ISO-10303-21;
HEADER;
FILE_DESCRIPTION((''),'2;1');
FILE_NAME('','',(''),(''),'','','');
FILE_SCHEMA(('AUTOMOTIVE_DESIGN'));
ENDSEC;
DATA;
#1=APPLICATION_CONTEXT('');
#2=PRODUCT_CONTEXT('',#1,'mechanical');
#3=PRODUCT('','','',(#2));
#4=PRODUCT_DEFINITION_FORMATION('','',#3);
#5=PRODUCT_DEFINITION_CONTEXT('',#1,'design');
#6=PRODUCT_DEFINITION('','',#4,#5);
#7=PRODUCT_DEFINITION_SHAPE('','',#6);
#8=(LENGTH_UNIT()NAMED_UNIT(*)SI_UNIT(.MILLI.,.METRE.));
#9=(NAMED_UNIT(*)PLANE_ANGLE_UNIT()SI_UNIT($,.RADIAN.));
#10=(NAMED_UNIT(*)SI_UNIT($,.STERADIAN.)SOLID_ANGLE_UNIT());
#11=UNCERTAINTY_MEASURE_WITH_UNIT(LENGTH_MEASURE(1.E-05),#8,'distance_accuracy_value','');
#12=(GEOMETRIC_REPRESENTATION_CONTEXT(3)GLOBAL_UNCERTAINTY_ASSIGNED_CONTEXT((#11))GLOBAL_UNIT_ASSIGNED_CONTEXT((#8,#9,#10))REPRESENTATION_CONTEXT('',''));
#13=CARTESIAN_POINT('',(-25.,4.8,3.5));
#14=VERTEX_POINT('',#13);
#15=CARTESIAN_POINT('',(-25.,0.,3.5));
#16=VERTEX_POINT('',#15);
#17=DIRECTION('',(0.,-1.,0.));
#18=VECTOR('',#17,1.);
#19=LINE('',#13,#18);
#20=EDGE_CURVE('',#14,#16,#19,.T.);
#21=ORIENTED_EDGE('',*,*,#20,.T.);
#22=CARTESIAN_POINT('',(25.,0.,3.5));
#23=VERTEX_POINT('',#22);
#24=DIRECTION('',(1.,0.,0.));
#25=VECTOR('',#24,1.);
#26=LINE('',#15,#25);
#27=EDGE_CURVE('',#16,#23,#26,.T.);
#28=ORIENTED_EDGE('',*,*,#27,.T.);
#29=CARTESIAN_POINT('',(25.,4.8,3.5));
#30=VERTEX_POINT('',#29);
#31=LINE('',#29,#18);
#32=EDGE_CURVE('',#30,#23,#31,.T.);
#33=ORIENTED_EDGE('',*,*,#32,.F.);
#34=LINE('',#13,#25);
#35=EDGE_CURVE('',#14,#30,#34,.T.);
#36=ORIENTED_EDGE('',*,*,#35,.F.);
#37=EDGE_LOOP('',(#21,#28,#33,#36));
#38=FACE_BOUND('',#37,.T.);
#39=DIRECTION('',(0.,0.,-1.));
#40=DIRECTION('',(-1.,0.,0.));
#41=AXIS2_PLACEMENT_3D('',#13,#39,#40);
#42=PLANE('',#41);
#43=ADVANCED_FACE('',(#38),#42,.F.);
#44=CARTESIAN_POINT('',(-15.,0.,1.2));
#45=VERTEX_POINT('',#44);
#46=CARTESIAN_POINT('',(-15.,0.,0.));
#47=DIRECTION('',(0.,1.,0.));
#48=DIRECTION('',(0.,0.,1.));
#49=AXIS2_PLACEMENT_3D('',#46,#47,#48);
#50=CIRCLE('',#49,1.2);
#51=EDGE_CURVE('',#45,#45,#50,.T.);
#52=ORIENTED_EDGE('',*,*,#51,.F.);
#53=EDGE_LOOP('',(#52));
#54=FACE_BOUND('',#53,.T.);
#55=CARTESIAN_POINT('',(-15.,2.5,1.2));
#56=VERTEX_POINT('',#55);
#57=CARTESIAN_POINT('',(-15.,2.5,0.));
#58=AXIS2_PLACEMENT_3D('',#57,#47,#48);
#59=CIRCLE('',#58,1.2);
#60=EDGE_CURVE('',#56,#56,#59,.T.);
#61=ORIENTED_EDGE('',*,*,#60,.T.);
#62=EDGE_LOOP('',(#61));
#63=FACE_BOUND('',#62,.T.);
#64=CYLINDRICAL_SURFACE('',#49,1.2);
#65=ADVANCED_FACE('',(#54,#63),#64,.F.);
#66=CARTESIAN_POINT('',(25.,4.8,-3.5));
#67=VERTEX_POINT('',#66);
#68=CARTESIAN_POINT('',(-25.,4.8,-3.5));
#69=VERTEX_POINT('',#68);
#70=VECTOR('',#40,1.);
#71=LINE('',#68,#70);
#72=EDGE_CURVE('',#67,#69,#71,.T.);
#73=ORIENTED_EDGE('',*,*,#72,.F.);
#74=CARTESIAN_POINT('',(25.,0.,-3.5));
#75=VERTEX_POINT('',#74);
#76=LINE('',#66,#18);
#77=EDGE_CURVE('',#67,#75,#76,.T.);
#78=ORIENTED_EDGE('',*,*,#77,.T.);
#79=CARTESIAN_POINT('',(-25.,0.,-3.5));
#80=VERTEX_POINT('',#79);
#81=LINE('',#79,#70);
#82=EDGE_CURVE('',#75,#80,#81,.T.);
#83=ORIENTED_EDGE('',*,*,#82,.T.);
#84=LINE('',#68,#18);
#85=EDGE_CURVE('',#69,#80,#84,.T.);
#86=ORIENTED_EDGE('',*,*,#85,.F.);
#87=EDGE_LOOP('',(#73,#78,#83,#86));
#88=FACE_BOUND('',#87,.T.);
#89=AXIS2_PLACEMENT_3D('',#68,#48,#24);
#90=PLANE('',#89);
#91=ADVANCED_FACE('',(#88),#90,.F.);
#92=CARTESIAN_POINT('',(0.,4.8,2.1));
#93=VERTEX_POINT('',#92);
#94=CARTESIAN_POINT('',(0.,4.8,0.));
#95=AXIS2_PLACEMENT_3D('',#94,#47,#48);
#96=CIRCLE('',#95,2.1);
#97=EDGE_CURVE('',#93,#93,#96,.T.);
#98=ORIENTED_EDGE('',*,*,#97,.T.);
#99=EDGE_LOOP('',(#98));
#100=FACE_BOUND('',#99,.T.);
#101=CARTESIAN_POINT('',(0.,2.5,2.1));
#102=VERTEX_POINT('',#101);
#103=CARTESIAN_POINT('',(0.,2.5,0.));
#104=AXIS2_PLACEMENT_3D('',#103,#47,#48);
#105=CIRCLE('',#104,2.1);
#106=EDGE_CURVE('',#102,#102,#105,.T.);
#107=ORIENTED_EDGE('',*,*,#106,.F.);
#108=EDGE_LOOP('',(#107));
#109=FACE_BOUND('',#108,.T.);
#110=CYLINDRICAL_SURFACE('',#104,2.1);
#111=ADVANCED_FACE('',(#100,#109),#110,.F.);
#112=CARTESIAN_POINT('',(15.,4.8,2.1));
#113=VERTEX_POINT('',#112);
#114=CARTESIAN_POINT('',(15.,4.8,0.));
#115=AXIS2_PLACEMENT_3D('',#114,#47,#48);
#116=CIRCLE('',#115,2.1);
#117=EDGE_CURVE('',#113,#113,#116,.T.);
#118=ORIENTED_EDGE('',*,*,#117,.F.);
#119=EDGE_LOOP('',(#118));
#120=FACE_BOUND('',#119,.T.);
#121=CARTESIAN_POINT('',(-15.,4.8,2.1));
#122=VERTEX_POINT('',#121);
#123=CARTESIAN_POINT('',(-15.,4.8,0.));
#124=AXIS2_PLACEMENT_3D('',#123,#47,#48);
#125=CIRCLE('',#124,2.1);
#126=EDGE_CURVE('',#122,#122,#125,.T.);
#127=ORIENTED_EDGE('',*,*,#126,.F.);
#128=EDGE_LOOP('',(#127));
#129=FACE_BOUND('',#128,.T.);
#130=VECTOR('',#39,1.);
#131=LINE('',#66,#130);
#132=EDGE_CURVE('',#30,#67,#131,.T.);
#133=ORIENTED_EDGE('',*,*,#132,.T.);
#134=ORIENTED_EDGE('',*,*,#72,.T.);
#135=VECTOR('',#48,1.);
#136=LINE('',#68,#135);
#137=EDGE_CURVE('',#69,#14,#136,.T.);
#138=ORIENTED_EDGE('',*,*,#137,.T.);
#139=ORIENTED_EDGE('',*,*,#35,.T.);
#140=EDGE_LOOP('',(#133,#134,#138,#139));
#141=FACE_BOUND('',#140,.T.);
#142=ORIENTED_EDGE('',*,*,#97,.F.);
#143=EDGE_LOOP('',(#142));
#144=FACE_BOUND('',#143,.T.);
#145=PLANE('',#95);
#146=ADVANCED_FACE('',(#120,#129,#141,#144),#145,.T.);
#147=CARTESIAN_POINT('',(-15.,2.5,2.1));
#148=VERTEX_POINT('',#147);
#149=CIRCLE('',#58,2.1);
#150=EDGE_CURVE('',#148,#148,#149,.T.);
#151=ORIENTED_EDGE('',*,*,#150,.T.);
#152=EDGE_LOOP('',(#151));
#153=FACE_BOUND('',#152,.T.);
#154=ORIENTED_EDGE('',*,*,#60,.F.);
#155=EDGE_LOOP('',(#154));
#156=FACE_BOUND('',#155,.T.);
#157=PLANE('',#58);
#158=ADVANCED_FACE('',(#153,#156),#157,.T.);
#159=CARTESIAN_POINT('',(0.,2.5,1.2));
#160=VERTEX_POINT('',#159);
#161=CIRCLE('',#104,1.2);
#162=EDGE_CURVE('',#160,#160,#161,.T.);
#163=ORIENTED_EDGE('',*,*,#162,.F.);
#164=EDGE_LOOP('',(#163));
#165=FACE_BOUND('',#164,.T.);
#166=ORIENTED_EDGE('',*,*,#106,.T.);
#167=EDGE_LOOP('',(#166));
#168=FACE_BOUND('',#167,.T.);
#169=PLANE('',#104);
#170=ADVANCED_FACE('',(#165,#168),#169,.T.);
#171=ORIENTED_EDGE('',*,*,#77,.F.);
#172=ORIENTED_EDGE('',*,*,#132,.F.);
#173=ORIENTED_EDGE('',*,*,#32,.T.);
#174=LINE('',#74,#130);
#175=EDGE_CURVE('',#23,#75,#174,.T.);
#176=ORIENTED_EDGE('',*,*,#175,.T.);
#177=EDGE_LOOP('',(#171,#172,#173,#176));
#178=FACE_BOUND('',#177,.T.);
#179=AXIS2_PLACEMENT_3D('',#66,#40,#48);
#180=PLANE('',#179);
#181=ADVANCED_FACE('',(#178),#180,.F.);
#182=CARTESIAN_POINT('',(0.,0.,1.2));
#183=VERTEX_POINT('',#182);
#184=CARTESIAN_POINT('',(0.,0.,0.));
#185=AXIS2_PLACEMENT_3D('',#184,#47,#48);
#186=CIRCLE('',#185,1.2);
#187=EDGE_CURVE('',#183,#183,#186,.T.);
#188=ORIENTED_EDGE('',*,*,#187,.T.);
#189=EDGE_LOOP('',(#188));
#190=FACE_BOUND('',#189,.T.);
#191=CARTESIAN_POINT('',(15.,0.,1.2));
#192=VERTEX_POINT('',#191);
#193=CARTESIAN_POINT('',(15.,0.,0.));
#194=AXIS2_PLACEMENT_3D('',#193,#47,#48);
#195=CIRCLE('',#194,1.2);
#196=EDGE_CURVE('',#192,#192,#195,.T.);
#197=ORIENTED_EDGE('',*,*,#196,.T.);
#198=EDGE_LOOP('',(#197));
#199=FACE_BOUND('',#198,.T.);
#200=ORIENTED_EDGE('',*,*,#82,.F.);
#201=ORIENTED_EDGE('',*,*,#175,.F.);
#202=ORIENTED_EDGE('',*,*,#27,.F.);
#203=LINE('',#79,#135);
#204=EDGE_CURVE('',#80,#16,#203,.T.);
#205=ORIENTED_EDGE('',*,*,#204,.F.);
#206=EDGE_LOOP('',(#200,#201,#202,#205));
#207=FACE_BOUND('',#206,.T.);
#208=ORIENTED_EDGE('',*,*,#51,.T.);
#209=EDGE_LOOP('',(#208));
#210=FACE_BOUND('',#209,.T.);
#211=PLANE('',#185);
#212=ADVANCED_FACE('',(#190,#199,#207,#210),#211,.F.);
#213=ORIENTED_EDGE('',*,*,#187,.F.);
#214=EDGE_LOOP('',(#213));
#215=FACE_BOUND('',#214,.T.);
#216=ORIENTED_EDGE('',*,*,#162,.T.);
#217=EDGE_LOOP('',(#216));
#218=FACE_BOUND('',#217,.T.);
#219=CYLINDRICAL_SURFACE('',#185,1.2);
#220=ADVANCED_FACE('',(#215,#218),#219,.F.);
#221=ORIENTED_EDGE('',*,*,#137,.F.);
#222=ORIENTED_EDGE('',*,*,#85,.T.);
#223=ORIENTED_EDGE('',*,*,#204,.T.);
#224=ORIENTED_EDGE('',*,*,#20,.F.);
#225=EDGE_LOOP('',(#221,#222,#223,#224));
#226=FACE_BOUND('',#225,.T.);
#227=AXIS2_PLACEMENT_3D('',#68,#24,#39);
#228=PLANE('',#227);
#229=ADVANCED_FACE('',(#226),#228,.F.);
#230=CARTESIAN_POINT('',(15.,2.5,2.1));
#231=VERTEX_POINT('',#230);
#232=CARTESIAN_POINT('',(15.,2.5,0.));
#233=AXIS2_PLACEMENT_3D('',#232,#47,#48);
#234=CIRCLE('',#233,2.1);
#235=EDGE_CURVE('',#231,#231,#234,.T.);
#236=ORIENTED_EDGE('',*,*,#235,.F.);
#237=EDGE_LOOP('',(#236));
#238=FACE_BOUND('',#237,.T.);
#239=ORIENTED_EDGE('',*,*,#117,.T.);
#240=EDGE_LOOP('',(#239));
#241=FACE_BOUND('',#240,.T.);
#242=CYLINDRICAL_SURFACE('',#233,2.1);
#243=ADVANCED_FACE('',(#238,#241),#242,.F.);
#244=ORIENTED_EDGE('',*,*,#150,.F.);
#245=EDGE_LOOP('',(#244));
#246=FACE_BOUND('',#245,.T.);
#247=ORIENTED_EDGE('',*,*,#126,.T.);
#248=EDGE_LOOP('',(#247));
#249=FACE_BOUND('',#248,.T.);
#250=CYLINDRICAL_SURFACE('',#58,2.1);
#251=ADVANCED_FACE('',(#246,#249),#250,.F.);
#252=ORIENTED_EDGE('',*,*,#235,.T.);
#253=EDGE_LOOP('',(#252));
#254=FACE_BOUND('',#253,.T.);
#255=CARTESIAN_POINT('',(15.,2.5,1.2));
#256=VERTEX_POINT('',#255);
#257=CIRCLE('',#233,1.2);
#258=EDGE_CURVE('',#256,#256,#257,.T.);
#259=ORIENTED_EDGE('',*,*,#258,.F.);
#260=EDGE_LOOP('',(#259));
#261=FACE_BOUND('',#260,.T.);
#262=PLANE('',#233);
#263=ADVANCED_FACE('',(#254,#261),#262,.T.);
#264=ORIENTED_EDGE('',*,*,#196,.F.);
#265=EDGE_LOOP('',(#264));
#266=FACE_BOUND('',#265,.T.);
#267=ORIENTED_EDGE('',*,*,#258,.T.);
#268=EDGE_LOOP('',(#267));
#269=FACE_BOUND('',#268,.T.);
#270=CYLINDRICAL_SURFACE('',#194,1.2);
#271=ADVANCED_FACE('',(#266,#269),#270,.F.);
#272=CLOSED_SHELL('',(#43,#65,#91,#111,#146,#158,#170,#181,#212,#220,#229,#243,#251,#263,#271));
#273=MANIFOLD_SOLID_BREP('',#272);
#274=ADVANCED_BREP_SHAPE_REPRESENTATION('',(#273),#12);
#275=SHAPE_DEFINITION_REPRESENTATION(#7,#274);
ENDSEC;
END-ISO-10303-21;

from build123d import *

# Parameters (mm, degrees)
SKETCH_1_W          = 50
SKETCH_1_H          = 7
EXTRUDE_1_DEPTH     = 4.8
SKETCH_2_R          = 2.1
CUT_EXTRUDE_1_DEPTH = 2.3
SKETCH_3_R          = 1.2
CUT_EXTRUDE_2_DEPTH = 26.367301788


with BuildPart() as part:
    # 草图1 → 凸台-拉伸1 (new body)
    with BuildSketch(Plane(origin=(0, 0, 0), x_dir=(1, 0, 0), z_dir=(0, 1, 0))):
        Rectangle(SKETCH_1_W, SKETCH_1_H)
    extrude(amount=EXTRUDE_1_DEPTH)

    # 草图2 → 切除-拉伸1 (cut)
    with BuildSketch(Plane(origin=(0, 4.8, 0), x_dir=(1, 0, 0), z_dir=(0, 1, 0))):
        with Locations(Location((0, 0, 0), (0, 0, 270))):
            Circle(SKETCH_2_R)
        with Locations(Location((-15, 0, 0), (0, 0, 270))):
            Circle(SKETCH_2_R)
        with Locations(Location((15, 0, 0), (0, 0, 270))):
            Circle(SKETCH_2_R)
    extrude(amount=-CUT_EXTRUDE_1_DEPTH, mode=Mode.SUBTRACT)

    # 草图3 → 切除-拉伸2 (cut, through all)
    with BuildSketch(Plane(origin=(0, 2.5, 0), x_dir=(1, 0, 0), z_dir=(0, 1, 0))):
        with Locations(Location((0, 0, 0), (0, 0, 270))):
            Circle(SKETCH_3_R)
        with Locations(Location((-15, 0, 0), (0, 0, 270))):
            Circle(SKETCH_3_R)
        with Locations(Location((15, 0, 0), (0, 0, 270))):
            Circle(SKETCH_3_R)
    extrude(amount=-CUT_EXTRUDE_2_DEPTH, mode=Mode.SUBTRACT)


solid = part.part
